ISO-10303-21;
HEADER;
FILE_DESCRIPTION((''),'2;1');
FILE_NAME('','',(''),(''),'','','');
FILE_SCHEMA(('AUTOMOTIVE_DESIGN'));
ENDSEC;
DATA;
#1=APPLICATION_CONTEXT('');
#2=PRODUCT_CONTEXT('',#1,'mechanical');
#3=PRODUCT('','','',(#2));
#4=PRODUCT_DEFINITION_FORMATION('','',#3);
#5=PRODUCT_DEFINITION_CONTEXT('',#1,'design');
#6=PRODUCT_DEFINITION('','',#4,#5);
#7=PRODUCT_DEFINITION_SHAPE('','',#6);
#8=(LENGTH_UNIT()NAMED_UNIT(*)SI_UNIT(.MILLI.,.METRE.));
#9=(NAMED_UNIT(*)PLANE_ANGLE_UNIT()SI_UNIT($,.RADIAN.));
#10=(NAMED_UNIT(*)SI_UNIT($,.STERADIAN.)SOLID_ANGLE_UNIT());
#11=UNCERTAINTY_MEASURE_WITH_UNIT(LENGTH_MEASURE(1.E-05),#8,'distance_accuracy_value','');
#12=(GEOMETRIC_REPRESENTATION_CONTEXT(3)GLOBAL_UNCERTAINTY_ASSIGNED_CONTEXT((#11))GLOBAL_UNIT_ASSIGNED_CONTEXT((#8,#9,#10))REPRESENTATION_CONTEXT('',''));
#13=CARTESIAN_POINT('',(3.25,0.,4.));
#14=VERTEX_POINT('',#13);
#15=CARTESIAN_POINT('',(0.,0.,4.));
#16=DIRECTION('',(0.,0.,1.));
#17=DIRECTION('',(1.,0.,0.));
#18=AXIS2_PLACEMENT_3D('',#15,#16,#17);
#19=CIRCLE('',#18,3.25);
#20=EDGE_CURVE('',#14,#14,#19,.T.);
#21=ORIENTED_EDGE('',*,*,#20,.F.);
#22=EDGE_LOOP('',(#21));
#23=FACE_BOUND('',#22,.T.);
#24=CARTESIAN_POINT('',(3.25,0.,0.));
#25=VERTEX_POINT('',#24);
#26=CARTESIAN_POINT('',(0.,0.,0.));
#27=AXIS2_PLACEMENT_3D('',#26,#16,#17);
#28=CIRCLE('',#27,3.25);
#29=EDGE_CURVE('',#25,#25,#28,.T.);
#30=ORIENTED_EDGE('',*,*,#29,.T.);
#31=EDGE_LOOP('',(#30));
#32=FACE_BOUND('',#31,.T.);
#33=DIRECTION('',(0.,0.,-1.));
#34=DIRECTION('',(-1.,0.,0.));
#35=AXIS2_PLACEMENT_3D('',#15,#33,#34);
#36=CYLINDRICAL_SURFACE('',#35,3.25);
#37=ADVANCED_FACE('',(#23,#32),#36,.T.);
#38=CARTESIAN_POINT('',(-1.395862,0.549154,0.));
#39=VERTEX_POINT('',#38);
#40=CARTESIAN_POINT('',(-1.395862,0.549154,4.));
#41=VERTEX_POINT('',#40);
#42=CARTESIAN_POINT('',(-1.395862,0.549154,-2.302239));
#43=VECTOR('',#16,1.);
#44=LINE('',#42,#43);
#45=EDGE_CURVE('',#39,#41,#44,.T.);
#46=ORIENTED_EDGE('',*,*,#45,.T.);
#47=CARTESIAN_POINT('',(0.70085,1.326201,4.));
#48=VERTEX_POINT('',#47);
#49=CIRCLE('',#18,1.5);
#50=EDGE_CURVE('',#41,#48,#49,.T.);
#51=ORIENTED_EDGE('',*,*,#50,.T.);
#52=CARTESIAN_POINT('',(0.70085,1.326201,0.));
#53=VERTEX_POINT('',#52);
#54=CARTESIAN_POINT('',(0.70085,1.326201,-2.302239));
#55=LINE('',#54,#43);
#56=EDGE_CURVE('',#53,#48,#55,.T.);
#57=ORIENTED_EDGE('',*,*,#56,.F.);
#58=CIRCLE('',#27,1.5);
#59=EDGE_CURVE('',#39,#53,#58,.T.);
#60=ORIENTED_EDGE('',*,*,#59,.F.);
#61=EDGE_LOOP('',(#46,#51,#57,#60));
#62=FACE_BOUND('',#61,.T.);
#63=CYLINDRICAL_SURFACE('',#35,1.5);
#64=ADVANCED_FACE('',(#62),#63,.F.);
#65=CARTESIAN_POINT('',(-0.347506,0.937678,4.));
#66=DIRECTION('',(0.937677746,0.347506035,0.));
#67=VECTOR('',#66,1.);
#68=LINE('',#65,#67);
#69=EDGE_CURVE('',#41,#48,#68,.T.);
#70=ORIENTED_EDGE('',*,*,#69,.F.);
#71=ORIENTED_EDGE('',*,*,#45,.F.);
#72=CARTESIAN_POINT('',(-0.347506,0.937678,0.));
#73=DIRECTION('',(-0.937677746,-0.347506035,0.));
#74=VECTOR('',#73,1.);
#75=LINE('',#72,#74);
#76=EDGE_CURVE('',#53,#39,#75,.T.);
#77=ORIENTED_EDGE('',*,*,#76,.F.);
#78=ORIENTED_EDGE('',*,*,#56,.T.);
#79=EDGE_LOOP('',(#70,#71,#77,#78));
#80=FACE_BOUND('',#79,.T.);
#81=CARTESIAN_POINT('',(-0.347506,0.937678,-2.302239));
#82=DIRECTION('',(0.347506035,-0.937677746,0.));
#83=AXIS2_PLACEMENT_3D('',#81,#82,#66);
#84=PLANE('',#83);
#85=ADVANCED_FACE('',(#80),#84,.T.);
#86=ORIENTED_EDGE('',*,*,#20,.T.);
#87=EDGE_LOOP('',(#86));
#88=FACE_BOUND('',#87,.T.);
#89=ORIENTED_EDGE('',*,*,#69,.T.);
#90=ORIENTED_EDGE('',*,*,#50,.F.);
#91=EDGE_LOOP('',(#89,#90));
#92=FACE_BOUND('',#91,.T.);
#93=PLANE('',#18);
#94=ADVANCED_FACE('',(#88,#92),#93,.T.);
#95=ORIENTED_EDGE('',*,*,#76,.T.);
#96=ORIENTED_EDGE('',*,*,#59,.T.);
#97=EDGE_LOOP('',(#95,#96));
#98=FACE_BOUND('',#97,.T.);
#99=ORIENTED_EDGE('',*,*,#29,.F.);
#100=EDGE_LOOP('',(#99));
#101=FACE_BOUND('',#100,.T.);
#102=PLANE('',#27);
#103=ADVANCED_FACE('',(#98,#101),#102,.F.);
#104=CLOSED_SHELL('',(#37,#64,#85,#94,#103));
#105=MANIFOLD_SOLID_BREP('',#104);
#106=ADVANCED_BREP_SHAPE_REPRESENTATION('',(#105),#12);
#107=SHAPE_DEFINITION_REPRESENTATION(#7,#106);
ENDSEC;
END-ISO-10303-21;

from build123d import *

# Parameters (mm, degrees)
SKETCH1_R           = 3.25
SKETCH1_R_2         = 1.5
BOSS_EXTRUDE1_DEPTH = 4
BOSS_EXTRUDE2_DEPTH = 4


with BuildPart() as part:
    # Sketch1 → Boss-Extrude1 (new body)
    with BuildSketch(Plane.XY):
        Circle(SKETCH1_R)
        Circle(SKETCH1_R_2, mode=Mode.SUBTRACT)
    extrude(amount=BOSS_EXTRUDE1_DEPTH)

    # Sketch2 → Boss-Extrude2 (add)
    with BuildSketch(Plane.XY.offset(4)):
        with BuildLine():
            ThreePointArc((0.700849555, 1.326201305), (-0.521259053, 1.406516619), (-1.395861626, 0.549154187))
            Line((-1.395861626, 0.549154187), (0.700849555, 1.326201305))
        make_face()
    extrude(amount=-BOSS_EXTRUDE2_DEPTH)


solid = part.part
